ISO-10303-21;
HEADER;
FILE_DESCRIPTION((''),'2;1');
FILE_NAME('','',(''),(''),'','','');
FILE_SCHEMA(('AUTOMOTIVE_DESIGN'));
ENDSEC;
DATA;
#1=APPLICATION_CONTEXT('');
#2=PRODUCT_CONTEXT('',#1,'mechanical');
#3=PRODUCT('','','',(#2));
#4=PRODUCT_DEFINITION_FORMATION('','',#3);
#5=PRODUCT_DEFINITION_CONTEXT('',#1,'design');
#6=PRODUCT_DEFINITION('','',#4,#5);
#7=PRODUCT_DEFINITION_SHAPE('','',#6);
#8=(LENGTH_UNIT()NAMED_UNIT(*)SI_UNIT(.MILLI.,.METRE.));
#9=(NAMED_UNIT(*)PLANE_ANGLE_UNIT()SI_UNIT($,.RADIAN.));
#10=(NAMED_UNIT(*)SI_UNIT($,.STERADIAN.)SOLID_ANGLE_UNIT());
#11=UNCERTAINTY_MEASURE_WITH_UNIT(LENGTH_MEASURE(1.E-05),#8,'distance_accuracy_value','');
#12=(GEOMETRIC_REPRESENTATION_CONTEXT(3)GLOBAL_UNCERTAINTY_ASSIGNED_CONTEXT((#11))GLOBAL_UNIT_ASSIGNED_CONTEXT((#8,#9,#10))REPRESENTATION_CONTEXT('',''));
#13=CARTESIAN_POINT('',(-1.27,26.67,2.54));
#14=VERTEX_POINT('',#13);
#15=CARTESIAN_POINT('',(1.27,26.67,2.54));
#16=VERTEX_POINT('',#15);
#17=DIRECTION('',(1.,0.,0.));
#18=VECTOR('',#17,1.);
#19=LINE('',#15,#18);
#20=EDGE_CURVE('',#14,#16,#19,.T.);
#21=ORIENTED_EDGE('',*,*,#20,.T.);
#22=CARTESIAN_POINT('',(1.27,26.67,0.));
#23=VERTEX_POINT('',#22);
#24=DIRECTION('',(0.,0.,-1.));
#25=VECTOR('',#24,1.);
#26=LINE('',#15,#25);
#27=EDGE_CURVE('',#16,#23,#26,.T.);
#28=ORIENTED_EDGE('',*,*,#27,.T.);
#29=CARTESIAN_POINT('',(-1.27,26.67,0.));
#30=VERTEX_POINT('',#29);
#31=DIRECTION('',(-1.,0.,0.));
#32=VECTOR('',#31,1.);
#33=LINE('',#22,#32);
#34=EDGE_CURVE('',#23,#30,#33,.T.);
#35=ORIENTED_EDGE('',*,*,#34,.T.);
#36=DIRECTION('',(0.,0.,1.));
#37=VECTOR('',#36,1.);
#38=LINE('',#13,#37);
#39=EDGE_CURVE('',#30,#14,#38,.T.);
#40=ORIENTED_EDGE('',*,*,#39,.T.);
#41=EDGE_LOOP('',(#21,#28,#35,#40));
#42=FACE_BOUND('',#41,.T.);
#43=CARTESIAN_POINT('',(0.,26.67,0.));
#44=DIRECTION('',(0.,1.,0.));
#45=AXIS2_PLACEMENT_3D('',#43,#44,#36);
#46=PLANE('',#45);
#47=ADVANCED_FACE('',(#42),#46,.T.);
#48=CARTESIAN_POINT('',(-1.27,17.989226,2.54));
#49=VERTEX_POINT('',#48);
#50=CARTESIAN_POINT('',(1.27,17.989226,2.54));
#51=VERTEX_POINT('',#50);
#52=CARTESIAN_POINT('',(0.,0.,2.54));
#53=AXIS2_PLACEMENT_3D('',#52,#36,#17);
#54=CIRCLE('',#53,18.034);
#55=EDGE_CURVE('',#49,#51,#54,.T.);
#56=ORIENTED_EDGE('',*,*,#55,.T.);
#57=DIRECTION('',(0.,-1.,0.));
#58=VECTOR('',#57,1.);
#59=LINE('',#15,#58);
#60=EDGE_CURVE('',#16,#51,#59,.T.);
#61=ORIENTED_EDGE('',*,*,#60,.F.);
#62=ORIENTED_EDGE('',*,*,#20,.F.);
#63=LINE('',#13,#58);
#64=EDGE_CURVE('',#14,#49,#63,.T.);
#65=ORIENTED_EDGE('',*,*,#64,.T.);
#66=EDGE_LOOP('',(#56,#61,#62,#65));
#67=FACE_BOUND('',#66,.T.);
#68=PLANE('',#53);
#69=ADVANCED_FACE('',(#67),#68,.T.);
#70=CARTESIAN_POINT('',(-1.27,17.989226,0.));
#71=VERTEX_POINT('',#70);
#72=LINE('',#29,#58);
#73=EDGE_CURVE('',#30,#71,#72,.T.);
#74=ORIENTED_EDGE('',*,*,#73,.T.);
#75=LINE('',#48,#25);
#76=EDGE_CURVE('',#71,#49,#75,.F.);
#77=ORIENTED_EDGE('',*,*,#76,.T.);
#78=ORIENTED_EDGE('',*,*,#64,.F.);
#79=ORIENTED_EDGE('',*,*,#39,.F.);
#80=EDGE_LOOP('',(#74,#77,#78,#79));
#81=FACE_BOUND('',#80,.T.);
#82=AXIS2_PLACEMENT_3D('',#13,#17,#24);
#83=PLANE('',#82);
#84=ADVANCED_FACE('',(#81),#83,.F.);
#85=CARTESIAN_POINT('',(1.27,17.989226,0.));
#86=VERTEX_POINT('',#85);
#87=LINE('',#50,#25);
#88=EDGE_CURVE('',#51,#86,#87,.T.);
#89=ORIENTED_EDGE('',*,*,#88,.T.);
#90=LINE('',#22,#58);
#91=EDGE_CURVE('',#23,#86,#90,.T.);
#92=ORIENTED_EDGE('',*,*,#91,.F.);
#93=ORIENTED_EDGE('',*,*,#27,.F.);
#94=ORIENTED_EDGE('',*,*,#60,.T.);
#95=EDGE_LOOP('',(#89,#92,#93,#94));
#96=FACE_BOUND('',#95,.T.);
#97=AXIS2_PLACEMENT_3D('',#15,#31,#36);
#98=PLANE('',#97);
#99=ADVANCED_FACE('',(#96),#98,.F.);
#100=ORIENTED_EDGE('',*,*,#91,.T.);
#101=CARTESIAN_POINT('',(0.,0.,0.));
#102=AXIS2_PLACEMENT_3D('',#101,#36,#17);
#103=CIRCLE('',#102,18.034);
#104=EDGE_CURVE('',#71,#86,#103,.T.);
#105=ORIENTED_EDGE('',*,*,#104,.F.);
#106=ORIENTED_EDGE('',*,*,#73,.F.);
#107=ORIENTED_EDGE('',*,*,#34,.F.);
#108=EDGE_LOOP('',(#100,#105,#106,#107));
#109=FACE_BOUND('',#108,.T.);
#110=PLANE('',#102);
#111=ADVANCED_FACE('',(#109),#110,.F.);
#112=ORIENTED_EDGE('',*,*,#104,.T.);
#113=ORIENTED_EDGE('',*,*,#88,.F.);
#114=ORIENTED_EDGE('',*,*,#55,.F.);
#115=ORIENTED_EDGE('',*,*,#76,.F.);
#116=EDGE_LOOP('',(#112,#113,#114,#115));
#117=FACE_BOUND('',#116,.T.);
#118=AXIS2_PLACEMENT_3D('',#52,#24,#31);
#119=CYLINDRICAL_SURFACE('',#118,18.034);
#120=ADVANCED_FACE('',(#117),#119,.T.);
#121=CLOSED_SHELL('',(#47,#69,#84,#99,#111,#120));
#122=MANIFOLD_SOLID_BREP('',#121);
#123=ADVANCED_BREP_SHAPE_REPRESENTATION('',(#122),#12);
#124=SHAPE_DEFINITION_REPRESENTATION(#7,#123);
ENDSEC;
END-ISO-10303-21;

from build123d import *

# Parameters (mm, degrees)
SKETCH1_R           = 18.034
BOSS_EXTRUDE1_DEPTH = 2.54
SKETCH2_W           = 2.54
SKETCH2_H           = 2.54
BOSS_EXTRUDE2_DEPTH = 8.89


with BuildPart() as part:
    # Sketch1 → Boss-Extrude1 (new body)
    with BuildSketch(Plane.XY):
        Circle(SKETCH1_R)
    extrude(amount=BOSS_EXTRUDE1_DEPTH)


with BuildPart() as body_2:
    # Sketch2 → Boss-Extrude2 (new body)
    with BuildSketch(Plane(origin=(0, 17.78, 0), x_dir=(1, 0, 0), z_dir=(0, 1, 0))):
        with Locations((0, -1.27)):
            Rectangle(SKETCH2_W, SKETCH2_H)
    extrude(amount=BOSS_EXTRUDE2_DEPTH)


with BuildPart() as part_1:
    add(part.part)

    # Combine1: union body 2
    add(body_2.part)


solid = part_1.part
